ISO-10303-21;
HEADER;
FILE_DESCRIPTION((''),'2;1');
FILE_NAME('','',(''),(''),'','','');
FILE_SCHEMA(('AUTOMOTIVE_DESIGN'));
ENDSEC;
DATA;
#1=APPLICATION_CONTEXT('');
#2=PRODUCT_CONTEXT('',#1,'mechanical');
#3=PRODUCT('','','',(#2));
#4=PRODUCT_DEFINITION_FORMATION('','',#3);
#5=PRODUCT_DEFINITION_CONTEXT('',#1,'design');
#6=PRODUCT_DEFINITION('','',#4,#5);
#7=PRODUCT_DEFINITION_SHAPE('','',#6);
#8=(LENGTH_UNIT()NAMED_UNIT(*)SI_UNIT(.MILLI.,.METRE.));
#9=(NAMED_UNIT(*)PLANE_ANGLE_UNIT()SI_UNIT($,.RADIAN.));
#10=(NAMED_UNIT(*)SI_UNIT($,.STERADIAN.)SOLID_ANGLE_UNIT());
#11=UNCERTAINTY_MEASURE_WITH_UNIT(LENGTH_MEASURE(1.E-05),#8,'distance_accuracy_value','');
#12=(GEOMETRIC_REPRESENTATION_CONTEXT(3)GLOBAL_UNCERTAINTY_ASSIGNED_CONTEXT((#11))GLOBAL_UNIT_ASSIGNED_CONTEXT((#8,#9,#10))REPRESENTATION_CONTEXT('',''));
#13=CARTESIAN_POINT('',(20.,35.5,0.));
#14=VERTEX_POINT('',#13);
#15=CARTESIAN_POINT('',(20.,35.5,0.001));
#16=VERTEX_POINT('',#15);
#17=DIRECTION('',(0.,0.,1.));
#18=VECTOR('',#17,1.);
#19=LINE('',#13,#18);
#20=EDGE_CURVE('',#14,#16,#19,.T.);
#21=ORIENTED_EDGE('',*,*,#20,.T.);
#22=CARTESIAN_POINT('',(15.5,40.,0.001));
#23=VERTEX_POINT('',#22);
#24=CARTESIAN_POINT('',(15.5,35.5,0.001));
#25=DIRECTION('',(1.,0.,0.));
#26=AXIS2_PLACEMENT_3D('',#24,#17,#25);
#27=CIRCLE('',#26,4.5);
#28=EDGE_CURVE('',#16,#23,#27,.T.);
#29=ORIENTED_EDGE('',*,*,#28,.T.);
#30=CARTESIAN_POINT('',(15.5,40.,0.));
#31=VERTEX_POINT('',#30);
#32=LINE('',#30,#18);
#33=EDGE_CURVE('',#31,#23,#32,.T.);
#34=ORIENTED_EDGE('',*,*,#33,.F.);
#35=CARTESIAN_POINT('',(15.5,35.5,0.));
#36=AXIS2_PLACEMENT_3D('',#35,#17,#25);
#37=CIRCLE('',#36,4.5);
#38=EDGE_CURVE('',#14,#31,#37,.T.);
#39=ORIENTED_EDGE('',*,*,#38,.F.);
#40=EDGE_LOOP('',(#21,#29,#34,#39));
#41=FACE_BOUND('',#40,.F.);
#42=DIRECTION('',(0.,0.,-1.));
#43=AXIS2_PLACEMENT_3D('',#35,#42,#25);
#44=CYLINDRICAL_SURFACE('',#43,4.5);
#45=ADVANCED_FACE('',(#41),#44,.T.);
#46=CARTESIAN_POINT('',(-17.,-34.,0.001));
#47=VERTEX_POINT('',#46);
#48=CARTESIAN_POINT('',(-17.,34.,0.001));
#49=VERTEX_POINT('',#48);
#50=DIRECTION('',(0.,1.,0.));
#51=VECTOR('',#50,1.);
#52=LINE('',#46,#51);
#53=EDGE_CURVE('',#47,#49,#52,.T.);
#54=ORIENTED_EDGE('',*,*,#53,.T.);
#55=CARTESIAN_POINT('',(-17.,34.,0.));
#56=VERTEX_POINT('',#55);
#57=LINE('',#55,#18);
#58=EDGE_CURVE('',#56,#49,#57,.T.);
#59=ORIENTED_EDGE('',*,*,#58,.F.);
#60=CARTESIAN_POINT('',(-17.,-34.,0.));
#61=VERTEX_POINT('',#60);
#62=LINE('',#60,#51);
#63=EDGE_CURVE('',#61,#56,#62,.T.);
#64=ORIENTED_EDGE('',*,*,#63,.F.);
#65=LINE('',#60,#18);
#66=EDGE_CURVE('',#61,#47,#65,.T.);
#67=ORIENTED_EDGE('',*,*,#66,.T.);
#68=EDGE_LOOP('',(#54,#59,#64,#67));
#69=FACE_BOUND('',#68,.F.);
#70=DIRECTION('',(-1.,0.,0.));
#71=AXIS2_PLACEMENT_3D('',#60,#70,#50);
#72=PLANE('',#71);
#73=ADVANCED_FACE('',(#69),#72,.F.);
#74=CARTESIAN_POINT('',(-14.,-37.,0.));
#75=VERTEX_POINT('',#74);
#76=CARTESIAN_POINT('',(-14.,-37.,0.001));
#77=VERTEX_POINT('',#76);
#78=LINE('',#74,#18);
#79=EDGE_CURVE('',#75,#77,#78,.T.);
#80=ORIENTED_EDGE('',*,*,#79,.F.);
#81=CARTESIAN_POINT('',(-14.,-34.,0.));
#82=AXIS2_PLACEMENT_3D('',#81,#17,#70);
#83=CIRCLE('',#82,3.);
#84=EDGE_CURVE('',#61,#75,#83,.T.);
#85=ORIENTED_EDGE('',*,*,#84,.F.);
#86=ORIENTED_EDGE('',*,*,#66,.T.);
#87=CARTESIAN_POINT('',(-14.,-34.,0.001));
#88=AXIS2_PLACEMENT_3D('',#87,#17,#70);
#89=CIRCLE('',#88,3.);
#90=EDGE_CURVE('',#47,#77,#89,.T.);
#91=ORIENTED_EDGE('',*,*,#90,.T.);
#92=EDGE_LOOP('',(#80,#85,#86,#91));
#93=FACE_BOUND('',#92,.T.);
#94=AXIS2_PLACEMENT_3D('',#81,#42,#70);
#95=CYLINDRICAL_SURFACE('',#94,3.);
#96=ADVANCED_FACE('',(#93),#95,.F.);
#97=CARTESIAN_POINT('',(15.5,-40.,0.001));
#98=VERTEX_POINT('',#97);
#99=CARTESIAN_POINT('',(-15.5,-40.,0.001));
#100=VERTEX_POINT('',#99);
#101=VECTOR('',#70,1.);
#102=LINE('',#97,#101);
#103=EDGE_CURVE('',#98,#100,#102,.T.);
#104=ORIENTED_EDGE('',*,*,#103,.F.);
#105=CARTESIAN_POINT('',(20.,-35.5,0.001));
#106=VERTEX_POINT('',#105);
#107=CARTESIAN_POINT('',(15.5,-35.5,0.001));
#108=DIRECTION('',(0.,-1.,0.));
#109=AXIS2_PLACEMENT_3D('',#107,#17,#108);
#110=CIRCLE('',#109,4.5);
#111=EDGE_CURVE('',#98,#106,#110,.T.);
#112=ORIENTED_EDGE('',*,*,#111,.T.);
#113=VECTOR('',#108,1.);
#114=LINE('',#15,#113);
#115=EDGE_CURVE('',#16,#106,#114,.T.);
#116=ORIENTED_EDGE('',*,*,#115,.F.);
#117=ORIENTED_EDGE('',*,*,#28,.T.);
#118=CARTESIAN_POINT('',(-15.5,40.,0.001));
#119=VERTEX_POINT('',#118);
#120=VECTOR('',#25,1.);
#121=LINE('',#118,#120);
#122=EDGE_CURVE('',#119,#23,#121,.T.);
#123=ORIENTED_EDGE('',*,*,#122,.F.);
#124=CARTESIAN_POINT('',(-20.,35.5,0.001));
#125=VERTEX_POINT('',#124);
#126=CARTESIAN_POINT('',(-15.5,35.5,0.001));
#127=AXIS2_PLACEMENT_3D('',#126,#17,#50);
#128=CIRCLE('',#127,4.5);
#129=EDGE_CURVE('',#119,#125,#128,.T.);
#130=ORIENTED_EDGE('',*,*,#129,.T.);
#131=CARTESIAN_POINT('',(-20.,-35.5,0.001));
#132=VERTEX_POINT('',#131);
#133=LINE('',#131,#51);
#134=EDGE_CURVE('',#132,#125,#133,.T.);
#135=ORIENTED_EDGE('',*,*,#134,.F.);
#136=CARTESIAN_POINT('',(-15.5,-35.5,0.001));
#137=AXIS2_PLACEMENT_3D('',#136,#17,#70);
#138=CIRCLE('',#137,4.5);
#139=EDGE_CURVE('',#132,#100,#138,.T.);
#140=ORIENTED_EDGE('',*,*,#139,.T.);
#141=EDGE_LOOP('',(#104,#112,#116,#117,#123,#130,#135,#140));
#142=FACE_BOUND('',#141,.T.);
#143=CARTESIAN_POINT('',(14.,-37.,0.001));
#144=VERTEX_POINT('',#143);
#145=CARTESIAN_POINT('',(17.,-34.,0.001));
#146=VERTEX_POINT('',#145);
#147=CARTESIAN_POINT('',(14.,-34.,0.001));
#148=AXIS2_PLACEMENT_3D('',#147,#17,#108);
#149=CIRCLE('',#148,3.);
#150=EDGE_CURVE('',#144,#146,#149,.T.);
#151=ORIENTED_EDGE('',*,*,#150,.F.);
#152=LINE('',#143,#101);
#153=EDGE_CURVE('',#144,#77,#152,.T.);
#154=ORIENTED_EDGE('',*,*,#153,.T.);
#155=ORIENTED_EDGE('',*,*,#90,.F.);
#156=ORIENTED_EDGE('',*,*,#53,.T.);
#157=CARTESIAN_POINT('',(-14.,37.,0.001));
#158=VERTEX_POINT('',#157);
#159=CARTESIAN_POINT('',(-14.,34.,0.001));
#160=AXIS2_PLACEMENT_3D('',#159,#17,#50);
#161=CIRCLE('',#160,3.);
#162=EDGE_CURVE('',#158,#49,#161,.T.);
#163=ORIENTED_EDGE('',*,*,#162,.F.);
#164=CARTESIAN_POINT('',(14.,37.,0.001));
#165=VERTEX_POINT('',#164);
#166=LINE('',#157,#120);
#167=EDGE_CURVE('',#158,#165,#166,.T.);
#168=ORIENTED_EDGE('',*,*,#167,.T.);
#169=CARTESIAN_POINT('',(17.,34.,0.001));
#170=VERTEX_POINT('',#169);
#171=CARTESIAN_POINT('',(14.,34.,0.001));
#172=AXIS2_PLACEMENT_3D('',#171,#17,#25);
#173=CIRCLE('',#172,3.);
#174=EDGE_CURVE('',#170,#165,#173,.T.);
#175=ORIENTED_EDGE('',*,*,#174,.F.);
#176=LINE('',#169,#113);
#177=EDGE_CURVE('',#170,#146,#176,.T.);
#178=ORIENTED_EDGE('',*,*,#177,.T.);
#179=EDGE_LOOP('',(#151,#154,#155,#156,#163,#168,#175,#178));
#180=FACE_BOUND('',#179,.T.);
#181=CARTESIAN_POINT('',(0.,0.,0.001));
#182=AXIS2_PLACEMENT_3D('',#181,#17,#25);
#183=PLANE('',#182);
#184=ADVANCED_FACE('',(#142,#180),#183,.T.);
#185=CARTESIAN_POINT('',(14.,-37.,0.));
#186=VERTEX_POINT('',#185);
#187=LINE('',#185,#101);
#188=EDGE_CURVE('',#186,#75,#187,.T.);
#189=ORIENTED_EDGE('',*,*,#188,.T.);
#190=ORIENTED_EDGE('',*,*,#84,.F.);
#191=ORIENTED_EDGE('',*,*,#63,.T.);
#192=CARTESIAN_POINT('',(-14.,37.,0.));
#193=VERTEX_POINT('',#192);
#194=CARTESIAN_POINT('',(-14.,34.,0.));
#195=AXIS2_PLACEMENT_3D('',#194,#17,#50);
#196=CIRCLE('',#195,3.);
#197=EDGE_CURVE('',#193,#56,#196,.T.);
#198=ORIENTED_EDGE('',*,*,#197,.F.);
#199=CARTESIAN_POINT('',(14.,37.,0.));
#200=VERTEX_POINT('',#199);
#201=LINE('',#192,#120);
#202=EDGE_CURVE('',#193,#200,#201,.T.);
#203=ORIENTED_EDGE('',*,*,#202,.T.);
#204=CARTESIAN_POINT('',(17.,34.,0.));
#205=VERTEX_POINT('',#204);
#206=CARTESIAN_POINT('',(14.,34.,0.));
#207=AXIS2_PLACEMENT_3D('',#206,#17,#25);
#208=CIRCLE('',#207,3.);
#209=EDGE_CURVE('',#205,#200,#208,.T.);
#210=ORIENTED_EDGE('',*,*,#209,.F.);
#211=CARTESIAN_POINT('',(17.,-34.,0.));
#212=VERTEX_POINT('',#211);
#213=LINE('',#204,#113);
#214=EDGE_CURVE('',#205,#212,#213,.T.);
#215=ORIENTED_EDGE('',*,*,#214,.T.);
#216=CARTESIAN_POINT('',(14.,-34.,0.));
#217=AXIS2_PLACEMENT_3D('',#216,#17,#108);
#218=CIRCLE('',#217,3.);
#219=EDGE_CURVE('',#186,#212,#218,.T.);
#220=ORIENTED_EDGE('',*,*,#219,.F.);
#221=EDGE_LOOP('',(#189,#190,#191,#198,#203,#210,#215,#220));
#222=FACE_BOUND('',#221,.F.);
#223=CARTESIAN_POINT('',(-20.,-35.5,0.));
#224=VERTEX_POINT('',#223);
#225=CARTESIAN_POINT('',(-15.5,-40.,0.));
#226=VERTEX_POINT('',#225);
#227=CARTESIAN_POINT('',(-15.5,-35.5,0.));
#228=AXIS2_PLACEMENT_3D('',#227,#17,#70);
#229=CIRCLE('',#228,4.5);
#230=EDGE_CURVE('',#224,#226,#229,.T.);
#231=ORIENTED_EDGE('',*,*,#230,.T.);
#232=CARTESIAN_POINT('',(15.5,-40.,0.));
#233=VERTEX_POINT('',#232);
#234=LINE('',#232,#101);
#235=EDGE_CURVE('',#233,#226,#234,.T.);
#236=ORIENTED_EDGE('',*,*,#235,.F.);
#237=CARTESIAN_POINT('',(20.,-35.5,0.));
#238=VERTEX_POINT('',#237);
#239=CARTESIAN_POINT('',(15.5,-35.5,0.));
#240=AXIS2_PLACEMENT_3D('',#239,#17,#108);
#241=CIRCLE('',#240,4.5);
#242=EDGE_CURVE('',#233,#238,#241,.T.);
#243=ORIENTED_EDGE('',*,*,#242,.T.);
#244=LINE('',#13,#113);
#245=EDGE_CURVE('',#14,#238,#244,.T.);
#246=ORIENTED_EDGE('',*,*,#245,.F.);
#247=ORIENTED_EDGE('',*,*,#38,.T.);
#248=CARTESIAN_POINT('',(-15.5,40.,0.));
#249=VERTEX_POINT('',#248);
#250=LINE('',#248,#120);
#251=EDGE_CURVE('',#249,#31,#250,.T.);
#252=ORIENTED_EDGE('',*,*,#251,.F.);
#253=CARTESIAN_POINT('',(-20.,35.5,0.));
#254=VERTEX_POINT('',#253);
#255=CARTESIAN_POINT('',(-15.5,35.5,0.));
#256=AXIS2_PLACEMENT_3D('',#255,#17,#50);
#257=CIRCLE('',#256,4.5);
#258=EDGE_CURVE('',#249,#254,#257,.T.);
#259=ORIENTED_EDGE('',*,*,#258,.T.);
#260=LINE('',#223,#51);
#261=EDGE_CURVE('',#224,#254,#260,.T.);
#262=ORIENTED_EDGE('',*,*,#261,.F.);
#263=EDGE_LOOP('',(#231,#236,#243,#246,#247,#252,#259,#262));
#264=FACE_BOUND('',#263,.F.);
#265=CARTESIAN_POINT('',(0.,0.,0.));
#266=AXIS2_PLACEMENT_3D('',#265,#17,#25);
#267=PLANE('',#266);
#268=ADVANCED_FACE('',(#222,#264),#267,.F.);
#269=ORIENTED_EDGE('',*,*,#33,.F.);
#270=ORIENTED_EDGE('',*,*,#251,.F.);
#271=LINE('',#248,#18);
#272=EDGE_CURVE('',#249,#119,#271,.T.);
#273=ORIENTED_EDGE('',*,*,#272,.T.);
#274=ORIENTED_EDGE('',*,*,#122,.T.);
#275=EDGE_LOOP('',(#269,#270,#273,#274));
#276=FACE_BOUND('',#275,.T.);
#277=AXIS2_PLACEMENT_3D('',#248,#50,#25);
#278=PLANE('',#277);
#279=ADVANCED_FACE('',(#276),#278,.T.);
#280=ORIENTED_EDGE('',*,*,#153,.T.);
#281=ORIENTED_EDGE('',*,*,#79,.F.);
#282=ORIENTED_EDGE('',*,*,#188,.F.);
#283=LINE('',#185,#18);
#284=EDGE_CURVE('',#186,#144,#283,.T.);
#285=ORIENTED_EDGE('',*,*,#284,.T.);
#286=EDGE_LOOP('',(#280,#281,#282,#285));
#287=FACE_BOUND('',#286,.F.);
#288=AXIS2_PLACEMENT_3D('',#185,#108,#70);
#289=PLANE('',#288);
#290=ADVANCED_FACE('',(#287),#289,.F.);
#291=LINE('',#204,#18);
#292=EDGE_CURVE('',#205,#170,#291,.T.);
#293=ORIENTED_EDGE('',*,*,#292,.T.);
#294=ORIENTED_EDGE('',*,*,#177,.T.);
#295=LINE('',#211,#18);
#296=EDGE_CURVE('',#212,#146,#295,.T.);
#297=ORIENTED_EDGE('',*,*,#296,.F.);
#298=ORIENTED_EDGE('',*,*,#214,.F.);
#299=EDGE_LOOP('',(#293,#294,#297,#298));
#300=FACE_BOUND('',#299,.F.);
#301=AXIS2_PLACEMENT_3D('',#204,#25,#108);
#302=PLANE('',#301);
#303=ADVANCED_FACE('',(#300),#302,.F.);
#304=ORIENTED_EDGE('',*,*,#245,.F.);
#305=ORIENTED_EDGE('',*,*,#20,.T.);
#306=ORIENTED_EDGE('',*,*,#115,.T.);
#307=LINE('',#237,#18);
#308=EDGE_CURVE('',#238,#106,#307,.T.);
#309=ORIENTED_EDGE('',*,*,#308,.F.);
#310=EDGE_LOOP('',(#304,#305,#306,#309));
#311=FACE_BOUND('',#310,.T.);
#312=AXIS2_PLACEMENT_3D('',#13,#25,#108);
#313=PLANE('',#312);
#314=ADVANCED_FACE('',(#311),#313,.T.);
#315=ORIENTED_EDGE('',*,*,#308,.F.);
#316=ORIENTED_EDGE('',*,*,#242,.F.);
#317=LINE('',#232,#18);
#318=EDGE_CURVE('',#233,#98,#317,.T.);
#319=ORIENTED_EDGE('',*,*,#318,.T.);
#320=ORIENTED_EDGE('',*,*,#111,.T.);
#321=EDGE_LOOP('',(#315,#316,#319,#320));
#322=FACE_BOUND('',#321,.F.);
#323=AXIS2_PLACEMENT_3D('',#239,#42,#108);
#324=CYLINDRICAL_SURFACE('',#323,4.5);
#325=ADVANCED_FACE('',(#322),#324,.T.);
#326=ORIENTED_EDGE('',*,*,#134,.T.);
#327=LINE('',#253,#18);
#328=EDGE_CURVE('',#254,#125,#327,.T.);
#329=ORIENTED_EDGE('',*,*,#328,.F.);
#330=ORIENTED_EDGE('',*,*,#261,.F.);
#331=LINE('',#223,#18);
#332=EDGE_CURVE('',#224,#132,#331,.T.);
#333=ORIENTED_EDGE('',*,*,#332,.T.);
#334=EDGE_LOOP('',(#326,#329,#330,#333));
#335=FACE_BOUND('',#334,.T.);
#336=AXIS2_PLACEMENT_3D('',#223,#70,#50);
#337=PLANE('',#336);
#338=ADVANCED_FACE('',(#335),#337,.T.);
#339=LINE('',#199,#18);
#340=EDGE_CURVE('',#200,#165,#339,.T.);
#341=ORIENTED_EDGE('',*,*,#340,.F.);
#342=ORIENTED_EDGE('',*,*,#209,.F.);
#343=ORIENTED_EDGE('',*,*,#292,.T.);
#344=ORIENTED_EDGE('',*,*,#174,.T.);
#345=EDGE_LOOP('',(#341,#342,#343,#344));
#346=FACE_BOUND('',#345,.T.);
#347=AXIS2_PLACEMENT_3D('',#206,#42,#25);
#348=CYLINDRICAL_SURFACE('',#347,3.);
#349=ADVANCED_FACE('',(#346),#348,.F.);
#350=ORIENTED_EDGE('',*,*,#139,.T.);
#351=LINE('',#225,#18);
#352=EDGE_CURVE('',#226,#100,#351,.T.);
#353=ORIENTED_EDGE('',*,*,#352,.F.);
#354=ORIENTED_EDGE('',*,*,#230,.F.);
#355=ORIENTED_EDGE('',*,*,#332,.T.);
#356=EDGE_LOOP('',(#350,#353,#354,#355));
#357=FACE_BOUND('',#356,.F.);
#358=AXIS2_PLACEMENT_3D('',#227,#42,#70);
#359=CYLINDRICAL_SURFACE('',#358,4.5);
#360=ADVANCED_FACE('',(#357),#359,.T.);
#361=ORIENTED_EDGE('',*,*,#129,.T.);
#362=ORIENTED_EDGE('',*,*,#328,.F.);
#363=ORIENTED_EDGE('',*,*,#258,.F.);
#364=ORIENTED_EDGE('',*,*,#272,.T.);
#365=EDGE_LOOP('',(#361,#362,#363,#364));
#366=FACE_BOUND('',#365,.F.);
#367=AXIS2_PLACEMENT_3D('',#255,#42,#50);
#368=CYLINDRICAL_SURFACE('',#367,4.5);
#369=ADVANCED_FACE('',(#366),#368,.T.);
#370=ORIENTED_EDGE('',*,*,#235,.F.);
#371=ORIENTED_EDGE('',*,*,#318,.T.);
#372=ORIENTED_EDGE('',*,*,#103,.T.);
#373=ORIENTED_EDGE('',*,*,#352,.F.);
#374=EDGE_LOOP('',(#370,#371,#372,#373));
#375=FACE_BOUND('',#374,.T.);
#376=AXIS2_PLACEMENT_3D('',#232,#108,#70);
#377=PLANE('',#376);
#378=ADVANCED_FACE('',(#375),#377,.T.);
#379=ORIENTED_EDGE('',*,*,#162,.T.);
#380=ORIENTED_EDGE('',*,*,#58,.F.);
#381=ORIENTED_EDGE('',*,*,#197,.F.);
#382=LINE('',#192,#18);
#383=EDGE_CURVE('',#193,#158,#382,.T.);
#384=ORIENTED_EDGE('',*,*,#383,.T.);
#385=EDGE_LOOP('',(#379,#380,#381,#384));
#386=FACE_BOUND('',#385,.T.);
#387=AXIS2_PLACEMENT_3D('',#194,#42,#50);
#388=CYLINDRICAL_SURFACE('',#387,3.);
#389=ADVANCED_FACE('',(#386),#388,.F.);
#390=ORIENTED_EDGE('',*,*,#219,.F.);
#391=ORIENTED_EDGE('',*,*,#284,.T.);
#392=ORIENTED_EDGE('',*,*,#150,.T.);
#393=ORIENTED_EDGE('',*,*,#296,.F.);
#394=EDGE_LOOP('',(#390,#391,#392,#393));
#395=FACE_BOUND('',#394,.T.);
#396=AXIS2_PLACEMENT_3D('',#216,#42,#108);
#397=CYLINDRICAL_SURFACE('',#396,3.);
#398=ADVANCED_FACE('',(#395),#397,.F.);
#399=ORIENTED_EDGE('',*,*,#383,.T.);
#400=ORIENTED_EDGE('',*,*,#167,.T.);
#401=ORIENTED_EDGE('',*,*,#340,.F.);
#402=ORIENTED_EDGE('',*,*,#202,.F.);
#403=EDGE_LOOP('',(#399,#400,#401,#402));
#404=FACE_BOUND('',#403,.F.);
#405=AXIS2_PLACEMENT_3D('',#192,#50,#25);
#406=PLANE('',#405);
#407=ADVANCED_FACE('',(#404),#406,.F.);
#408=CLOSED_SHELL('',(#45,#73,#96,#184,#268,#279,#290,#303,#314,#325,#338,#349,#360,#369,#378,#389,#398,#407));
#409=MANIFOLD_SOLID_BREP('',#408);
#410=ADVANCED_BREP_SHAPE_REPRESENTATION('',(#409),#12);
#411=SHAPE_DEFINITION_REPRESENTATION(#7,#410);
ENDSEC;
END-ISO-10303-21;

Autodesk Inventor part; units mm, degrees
ref_plane "YZ Plane" through (0, 0, 0) normal (1, 0, 0) x (0, 1, 0)
ref_plane "Start plane" through (0, 0, 0) normal (0, 0, 1) x (1, 0, 0)
ref_plane "End plane" through (0, 0, 0.001) normal (0, 0, 1) x (1, 0, 0)
sketch "Sketch" plane through (0, 0, 0) normal (0, 0, 1) x (1, 0, 0)
  line L0 (-20, -35.5) -> (-20, 35.5)
  line L1 (-15.5, 40) -> (15.5, 40)
  line L2 (20, 35.5) -> (20, -35.5)
  line L3 (15.5, -40) -> (-15.5, -40)
  arc A0 (-20, -35.5) -> (-15.5, -40) centre (-15.5, -35.5) ccw
  arc A1 (-15.5, 40) -> (-20, 35.5) centre (-15.5, 35.5) ccw
  arc A2 (20, 35.5) -> (15.5, 40) centre (15.5, 35.5) ccw
  arc A3 (15.5, -40) -> (20, -35.5) centre (15.5, -35.5) ccw
  line L4 (-14, 37) -> (14, 37)
  line L5 (17, 34) -> (17, -34)
  line L6 (14, -37) -> (-14, -37)
  line L7 (-17, -34) -> (-17, 34)
  line L8 (0, 37.1021) -> (0, -37.1021) construction
  line L9 (-23.1021, 0) -> (23.1021, 0) construction
  arc A4 (-17, -34) -> (-14, -37) centre (-14, -34) ccw
  arc A5 (-14, 37) -> (-17, 34) centre (-14, 34) ccw
  arc A6 (17, 34) -> (14, 37) centre (14, 34) ccw
  arc A7 (14, -37) -> (17, -34) centre (14, -34) ccw
  dimension "d7" = 4.5
  dimension "d10" = 80
  dimension "d11" = 40
  dimension "d12" = 3
  dimension "d15" = 40
  dimension "d16" = 20
  dimension "d19" = 3
  dimension "d20" = 3
extrude "Body" add sketch "Sketch" along normal up to surface (0.001 mm away) from surface at 0
sketch "Sketch3" plane through (0, 0, 0) normal (0, 0, 1) x (1, 0, 0)
  line L0 (0, 0) -> (10, 0)
ref_plane "Work Plane3" through (0, 0, 0) normal (0, -1, 0) x (1, 0, 0)
sketch "Sketch4" plane through (0, 0, 0) normal (0, -1, 0) x (1, 0, 0)
  line L0 (-2, 0) -> (12, 0) projected
  line L1 (-2, 0.001) -> (12, 0.001) projected
  dimension "d18" = 0.001
equation "\"d7\" = G_IR"
equation "\"d10\" = G_H"
equation "\"d11\" = G_W"
equation "\"d12\" = G_T"
equation "\"d15\" = 0.5 * d10"
equation "\"d16\" = 0.5 * d11"
equation "\"d19\" = G_T"
equation "\"d20\" = G_T"
equation "\"d3\" = G_L"
equation "\"G_W\" = 40"
equation "\"G_H\" = 80"
equation "\"G_T\" = 3"
equation "\"G_IR\" = 4.5"
equation "\"G_L\" = d18"
equation "\"G_OFFSET_START\" = 0"
equation "\"G_OFFSET_END\" = 0"
equation "\"d14\" = G_OFFSET_END + B_L"
equation "\"B_L\" = 0.001"
properties part number "DIN EN 10210-2 - 80 x 40 x 3 - 0,001" material "Steel, Mild"
